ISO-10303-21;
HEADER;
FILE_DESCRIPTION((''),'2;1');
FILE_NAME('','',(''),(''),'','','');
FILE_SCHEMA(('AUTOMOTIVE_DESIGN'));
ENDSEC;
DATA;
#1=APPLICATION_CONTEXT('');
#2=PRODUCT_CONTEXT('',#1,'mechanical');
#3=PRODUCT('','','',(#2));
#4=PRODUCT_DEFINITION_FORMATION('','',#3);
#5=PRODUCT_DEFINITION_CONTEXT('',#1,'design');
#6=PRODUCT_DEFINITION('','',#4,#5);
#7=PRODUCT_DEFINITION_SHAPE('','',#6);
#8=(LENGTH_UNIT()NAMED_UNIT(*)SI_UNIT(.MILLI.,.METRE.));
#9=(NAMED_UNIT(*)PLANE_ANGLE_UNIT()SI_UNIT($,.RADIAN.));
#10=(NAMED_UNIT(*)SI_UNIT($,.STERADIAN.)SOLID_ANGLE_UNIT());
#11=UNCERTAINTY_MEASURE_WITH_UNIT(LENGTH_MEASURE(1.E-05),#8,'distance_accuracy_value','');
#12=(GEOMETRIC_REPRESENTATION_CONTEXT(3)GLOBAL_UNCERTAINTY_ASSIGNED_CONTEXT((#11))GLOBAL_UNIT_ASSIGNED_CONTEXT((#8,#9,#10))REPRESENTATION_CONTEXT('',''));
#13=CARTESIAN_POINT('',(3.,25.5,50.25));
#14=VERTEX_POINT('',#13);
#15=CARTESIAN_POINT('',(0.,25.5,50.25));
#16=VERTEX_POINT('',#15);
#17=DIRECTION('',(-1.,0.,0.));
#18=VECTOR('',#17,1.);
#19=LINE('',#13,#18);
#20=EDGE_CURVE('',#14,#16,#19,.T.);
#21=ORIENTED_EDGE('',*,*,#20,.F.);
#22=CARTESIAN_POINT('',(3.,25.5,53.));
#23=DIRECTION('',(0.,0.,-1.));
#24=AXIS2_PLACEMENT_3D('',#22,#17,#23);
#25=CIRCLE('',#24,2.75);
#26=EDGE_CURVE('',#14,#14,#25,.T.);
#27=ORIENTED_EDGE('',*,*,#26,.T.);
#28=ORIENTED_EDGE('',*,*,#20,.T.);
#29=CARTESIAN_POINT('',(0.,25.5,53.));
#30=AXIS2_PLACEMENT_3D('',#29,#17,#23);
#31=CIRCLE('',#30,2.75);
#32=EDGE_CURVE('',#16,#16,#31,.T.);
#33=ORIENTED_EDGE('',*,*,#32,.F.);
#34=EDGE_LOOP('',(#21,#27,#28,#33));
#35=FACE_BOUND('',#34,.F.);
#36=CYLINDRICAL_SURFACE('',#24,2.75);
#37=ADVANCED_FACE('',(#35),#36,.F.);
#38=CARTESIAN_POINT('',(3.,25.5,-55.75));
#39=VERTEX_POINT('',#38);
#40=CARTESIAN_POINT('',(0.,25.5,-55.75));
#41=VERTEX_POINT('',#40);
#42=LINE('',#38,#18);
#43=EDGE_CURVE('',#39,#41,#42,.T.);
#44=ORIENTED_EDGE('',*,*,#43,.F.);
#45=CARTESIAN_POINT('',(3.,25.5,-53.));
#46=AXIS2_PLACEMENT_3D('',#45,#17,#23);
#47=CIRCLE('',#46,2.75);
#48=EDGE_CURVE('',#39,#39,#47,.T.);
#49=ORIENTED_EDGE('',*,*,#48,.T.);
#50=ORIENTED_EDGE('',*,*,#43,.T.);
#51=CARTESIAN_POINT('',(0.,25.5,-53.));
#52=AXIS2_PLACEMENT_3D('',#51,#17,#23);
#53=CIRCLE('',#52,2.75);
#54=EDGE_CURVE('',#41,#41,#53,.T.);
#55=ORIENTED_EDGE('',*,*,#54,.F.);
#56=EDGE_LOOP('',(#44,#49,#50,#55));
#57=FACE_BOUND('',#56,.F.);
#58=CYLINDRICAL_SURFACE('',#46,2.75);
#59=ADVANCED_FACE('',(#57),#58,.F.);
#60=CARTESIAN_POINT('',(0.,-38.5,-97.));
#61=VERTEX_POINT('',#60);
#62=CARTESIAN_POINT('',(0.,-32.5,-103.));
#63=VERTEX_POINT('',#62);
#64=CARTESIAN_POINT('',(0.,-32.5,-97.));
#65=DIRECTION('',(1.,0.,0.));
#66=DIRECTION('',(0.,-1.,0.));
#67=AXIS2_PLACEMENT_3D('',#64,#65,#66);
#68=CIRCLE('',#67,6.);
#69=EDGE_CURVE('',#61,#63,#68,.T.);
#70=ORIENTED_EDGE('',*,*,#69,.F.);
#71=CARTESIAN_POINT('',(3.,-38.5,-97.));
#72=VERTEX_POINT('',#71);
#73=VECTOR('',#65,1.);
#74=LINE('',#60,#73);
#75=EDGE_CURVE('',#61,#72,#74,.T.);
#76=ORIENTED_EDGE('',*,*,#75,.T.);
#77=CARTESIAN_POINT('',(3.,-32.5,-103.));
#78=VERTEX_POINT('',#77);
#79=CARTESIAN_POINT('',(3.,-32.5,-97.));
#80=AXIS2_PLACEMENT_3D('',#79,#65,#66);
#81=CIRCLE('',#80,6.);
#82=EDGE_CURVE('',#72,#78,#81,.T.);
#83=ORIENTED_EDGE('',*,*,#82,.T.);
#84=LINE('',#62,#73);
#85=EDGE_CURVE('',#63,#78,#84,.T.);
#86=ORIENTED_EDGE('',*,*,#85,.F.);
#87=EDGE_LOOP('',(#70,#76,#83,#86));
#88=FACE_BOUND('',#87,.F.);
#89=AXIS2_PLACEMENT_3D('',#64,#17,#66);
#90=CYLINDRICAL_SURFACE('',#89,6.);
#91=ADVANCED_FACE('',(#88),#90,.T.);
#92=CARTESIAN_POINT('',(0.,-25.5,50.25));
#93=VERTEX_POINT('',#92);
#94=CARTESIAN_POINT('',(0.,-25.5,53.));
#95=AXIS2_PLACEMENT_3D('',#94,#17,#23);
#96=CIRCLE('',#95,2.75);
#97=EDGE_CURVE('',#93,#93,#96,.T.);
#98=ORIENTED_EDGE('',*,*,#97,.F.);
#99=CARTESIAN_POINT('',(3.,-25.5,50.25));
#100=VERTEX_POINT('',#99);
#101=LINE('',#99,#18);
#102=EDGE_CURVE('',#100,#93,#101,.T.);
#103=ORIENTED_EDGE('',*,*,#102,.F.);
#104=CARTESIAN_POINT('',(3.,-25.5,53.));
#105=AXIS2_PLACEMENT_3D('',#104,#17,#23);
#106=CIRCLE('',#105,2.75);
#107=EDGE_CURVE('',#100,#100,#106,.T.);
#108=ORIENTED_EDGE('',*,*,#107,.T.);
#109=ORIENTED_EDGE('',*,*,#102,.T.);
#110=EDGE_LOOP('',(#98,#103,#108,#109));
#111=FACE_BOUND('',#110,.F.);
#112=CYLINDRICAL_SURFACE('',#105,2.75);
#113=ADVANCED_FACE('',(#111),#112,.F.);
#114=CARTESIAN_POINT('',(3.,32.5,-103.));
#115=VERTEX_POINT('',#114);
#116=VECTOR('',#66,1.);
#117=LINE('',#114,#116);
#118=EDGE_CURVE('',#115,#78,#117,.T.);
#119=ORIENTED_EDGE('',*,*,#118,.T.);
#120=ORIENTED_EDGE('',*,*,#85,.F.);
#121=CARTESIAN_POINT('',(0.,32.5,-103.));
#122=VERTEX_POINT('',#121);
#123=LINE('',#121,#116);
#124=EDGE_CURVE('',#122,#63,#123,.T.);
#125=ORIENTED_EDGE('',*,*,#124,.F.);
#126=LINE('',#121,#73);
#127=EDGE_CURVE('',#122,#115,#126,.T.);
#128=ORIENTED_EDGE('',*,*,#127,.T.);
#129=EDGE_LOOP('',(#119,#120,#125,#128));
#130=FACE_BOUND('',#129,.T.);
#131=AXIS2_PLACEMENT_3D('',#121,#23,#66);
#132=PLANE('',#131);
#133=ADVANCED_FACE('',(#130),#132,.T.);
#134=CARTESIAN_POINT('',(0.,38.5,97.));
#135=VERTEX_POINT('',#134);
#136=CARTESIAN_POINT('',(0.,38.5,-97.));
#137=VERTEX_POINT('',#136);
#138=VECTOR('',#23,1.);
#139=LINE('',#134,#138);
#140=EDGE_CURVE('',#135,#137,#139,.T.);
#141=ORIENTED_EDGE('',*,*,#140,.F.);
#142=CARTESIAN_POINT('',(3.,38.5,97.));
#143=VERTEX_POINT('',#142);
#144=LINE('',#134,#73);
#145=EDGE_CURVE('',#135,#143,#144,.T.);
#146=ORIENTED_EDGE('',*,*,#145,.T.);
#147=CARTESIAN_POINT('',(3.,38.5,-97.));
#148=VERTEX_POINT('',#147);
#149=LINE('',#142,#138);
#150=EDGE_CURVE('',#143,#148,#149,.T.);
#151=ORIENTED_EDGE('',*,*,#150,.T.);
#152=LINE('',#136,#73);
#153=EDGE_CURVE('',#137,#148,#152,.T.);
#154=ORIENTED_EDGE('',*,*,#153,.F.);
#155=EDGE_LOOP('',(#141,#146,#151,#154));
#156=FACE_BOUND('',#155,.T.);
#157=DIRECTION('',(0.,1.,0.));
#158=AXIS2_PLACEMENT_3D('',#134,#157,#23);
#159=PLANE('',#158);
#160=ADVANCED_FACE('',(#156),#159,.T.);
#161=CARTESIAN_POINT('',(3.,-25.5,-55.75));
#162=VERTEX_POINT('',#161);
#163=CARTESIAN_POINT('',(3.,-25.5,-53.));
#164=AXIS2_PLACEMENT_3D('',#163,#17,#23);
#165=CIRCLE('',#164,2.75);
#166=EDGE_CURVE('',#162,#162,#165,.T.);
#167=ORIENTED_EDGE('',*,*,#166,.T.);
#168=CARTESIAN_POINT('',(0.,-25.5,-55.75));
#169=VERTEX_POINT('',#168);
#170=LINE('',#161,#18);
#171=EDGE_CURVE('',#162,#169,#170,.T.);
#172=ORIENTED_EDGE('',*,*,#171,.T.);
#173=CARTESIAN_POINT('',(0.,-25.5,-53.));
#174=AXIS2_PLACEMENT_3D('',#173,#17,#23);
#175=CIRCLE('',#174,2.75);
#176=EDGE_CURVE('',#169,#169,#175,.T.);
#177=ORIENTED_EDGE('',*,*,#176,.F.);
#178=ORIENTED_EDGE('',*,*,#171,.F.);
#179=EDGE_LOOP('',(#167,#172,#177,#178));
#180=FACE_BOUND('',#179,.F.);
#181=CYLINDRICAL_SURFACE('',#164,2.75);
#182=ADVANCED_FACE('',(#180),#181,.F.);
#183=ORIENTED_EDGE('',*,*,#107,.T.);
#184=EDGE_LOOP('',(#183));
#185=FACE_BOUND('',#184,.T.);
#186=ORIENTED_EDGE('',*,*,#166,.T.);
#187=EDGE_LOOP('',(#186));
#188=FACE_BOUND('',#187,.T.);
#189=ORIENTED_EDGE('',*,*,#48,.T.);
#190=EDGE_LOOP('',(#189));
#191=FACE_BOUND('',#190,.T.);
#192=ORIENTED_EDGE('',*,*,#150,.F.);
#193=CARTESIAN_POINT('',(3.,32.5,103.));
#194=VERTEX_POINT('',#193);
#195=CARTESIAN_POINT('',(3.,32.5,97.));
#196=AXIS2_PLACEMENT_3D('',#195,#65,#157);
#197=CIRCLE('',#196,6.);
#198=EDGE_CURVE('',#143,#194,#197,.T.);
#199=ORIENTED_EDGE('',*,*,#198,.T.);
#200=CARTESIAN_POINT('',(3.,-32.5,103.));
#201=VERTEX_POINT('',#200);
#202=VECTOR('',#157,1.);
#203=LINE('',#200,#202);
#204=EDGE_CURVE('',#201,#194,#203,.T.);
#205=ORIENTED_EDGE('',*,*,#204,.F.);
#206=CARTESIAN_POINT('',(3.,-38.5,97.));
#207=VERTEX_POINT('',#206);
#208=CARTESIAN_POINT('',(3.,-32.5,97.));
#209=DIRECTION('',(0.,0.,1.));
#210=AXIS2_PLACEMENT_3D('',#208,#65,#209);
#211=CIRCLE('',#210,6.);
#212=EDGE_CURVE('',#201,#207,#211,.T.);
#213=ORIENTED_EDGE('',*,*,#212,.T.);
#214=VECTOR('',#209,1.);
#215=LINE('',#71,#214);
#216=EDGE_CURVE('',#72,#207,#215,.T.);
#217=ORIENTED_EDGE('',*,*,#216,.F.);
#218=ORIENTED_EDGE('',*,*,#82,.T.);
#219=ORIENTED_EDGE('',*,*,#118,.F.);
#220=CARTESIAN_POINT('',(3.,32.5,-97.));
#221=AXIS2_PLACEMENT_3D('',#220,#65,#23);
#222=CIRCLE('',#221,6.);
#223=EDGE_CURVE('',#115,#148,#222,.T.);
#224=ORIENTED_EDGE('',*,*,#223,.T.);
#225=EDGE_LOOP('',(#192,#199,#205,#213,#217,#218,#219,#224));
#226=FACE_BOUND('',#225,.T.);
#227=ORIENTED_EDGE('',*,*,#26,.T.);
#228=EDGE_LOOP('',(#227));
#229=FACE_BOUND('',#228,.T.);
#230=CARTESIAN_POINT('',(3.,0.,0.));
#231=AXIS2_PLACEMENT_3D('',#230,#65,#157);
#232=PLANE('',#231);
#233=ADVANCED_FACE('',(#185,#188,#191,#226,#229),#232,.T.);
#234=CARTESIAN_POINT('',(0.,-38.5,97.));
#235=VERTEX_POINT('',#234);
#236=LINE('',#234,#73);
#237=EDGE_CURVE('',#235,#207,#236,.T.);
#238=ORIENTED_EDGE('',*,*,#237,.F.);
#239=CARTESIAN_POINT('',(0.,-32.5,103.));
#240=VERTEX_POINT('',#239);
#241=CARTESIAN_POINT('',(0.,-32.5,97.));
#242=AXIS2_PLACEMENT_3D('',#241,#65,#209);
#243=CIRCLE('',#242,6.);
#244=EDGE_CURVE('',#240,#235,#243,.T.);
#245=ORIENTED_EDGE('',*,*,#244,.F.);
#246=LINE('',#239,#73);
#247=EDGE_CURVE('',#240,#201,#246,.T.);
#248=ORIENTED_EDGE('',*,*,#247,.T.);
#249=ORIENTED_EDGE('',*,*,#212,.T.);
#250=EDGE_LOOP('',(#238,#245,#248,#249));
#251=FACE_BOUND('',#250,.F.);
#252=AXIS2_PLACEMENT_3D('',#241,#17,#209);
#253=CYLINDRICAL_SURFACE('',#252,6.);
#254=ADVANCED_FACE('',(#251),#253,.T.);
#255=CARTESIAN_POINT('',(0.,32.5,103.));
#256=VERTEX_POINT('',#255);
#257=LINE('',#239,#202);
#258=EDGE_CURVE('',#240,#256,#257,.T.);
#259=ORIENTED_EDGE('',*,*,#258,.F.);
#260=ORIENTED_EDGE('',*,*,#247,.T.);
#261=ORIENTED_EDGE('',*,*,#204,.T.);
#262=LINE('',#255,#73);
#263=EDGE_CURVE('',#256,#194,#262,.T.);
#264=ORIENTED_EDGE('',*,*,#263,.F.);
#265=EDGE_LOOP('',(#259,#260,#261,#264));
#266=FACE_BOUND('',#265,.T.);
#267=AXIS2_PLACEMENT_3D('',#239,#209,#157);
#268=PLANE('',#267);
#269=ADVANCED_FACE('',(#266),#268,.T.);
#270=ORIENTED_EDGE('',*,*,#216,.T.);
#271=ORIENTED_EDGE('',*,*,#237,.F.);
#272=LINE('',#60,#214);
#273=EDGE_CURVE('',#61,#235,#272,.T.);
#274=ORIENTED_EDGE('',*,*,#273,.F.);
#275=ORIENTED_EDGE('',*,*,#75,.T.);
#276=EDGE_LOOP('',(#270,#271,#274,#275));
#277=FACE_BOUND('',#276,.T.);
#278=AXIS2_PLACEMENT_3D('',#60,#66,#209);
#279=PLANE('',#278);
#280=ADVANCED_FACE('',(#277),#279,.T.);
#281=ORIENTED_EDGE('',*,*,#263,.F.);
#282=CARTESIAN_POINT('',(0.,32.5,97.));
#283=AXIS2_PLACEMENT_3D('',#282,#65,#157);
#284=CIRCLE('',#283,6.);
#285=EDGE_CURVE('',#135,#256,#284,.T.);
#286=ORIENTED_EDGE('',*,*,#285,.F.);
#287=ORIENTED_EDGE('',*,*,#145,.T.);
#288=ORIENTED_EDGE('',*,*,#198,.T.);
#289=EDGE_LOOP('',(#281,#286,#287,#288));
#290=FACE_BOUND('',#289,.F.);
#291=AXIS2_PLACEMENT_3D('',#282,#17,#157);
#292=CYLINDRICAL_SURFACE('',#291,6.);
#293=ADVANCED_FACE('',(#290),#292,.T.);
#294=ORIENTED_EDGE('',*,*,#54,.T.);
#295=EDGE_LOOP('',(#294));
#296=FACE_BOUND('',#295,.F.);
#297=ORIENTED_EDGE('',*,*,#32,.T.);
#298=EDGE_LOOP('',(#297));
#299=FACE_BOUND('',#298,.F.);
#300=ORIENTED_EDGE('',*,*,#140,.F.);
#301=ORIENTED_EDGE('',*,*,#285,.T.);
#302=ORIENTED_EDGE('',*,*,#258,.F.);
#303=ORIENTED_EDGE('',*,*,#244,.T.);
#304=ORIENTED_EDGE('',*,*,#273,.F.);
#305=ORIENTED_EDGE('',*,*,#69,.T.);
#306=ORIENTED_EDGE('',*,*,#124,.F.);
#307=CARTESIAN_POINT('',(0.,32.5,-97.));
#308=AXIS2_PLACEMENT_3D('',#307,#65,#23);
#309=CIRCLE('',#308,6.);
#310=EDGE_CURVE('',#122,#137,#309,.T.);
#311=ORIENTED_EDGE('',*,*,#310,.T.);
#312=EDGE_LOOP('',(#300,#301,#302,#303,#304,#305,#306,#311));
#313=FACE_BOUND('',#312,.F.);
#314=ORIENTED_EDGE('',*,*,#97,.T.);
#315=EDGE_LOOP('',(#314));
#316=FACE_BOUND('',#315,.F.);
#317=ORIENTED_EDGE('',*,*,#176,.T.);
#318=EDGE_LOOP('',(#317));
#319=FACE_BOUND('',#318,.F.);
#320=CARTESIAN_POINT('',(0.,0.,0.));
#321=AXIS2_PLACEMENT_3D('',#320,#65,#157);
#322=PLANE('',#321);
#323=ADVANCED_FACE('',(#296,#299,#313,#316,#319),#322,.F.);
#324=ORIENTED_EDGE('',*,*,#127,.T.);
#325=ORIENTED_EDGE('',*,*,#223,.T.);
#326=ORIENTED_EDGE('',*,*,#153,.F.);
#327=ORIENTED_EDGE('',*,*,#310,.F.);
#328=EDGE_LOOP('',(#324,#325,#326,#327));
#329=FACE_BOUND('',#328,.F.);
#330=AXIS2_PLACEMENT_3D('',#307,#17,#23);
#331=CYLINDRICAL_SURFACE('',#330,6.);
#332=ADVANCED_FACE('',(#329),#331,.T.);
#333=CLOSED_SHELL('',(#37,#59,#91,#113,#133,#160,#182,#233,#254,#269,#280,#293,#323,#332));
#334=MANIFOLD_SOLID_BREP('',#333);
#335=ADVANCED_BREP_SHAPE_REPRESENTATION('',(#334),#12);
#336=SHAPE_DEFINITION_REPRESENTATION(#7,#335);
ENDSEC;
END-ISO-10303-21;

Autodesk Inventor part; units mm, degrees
ref_plane "YZ Plane" through (0, 0, 0) normal (1, 0, 0) x (0, 1, 0)
ref_plane "XZ Plane" through (0, 0, 0) normal (0, 1, 0) x (-1, 0, 0)
ref_plane "XY Plane" through (0, 0, 0) normal (0, 0, 1) x (1, 0, 0)
sketch "Szkic1" plane through (0, 0, 0) normal (1, 0, 0) x (0, 1, 0)
  line L0 (-32.5, 103) -> (32.5, 103)
  line L1 (38.5, 97) -> (38.5, -97)
  line L2 (32.5, -103) -> (-32.5, -103)
  line L3 (-38.5, -97) -> (-38.5, 97)
  line L4 (-38.5, 103) -> (38.5, -103) construction
  arc A0 (32.5, -103) -> (38.5, -97) centre (32.5, -97) ccw
  arc A1 (-32.5, 103) -> (-38.5, 97) centre (-32.5, 97) ccw
  arc A2 (-38.5, -97) -> (-32.5, -103) centre (-32.5, -97) ccw
  arc A3 (38.5, 97) -> (32.5, 103) centre (32.5, 97) ccw
  point P0 (0, 0)
  dimension "d3" = 6
extrude "Płyta1" add sketch "Szkic1" along normal blind 3
sketch "Szkic2" plane through (3, 0, 0) normal (1, 0, 0) x (0, 0, -1)
  line L0 (-97, 38.5) -> (97, 38.5) projected
  line L1 (-103, -32.5) -> (-103, 32.5) projected
  line L2 (103, 32.5) -> (103, -32.5) projected
  line L3 (97, -38.5) -> (-97, -38.5) projected
  point P0 (0, 0)
  point P1 (-53, 25.5)
  point P2 (53, 25.5)
  point P3 (53, -25.5)
  point P4 (-53, -25.5)
  dimension "d5" = 13
  dimension "d6" = 50
  dimension "d7" = 50
  dimension "d8" = 13
  dimension "d9" = 50
  dimension "d10" = 13
  dimension "d11" = 13
  dimension "d12" = 50
hole "Otwór1" at (3, -25.5, 53) at (3, 25.5, 53) at (3, 25.5, -53) at (3, -25.5, -53) direction (-1, 0, 0) diameter 5.5 depth 3 tip angle 118 clearance for "Śruba ze łbem płaskim obrobiona" size "M5" standard "ANSI Profil metryczny M"
equation "\"d18\" = Grubość"
equation "\"d4\" = Grubość"
equation "\"PromieńGięcia\" = Grubość"
equation "\"SzerokośćGięciaPodcięcia\" = Grubość"
equation "\"GłębokośćGięciaPodcięcia\" = 0.5 * Grubość"
equation "\"RozmiarPodcięciaNarożnika\" = 4 * Grubość"
equation "\"MinimalnaPozostałość\" = 2 * Grubość"
equation "\"PromieńPrzejścia\" = PromieńGięcia"
equation "\"Rozmiar_promienia_Jacobiego\" = PromieńGięcia"
equation "\"Wielk_odstępu\" = Grubość"
equation "\"Grubość\" = 3"
properties part number "ZaslepkaObudowa" material "Aluminum 6061"
